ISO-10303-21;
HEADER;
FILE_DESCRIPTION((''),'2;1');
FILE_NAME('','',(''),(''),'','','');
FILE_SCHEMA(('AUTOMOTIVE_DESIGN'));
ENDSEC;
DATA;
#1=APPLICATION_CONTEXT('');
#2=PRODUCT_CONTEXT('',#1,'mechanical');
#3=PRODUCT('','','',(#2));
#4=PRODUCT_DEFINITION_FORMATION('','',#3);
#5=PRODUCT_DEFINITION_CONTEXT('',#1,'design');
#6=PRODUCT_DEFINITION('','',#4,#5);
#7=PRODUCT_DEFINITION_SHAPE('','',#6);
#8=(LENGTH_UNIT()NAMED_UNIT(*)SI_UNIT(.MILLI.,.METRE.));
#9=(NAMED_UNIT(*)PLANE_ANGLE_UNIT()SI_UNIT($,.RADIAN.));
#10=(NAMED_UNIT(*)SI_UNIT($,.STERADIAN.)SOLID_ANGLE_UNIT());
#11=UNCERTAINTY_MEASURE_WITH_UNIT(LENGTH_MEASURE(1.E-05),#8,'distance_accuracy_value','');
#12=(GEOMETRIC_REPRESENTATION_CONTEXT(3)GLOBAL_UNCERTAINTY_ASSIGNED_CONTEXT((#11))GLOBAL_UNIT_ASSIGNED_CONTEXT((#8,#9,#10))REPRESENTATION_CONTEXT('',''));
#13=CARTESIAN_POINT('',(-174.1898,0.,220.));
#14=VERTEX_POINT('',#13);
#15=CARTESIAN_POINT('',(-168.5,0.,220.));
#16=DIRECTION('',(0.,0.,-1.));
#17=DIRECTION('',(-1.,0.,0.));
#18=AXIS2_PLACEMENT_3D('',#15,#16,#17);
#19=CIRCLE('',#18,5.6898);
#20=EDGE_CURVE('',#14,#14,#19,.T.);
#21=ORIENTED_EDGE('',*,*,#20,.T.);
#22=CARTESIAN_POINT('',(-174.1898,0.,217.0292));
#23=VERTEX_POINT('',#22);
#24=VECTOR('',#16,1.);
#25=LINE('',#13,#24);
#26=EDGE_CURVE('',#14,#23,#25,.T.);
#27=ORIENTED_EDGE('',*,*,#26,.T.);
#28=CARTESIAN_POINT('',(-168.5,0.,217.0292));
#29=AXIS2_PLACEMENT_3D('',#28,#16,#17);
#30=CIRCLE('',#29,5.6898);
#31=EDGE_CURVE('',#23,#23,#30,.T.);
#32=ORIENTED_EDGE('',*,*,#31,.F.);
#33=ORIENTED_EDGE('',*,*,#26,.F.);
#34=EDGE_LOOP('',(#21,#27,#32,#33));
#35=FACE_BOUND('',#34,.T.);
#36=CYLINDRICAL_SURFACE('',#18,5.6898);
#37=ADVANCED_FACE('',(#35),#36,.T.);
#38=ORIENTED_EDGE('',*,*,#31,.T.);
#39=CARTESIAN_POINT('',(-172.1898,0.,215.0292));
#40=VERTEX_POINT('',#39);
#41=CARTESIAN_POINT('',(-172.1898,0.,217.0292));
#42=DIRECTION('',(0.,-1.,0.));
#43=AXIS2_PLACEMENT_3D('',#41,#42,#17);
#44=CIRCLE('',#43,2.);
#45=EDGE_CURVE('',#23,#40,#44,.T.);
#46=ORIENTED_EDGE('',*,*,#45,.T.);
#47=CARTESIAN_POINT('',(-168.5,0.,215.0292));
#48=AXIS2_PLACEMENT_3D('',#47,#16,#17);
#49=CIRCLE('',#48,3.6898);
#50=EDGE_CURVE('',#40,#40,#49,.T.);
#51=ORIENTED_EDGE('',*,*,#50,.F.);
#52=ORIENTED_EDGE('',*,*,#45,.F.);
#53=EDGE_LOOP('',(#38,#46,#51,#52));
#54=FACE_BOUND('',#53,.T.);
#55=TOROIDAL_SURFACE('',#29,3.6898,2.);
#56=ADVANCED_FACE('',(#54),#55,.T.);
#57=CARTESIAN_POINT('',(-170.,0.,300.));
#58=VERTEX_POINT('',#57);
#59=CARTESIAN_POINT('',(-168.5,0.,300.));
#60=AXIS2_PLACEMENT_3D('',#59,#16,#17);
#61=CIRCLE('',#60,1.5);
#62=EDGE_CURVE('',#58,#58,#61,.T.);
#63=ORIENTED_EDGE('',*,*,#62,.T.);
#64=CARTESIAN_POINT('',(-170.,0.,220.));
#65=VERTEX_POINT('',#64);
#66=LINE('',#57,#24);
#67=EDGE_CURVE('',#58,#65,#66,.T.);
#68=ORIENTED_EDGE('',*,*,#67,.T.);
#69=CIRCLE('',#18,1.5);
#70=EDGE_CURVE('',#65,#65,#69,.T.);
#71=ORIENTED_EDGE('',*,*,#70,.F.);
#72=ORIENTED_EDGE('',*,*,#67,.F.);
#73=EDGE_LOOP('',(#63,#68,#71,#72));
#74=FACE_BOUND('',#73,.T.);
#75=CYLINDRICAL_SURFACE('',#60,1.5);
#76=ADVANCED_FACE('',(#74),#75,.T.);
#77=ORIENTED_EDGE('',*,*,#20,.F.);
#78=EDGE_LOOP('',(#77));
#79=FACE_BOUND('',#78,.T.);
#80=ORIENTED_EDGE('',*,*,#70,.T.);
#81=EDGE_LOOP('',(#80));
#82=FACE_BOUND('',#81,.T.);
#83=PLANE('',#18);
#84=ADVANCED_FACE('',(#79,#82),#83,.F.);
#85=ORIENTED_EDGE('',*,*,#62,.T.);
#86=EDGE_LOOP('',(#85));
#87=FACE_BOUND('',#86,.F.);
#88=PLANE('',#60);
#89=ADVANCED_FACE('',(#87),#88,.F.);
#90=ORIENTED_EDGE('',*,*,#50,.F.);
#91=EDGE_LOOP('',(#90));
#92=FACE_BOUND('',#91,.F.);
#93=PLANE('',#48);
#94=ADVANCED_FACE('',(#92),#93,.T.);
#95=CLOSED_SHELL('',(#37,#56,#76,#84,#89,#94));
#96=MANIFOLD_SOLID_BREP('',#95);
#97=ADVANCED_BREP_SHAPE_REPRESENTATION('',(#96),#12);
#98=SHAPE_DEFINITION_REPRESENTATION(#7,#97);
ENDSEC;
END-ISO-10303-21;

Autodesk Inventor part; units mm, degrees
ref_plane "YZ Plane" through (0, 0, 0) normal (1, 0, 0) x (0, 1, 0)
ref_plane "XZ Plane" through (0, 0, 0) normal (0, 1, 0) x (-1, 0, 0)
ref_plane "XY Plane" through (0, 0, 0) normal (0, 0, 1) x (1, 0, 0)
sketch "Sketch1" plane through (0, 0, 0) normal (0, 1, 0) x (-1, 0, 0)
  line L0 (170, 300) -> (170, 220)
  line L1 (170, 220) -> (174.1898, 220)
  line L2 (174.1898, 220) -> (174.1898, 215.0292)
  line L3 (168.5, 300) -> (168.5, 215.0292)
  line L4 (168.5, 215.0292) -> (174.1898, 215.0292)
  line L5 (170, 300) -> (168.5, 300)
  point P0 (0, 0)
  dimension "d2" = 1.5
  dimension "d3" = 80
revolve "Revolution1" add sketch "Sketch1" angle 360 about axis through (-168.5, 0, 300) along (0, 0, -1)
fillet "Fillet1" radius 2 1 edges at (-162.8102, 0, 215.0292)
thread "Thread1" size "M3x0.5" class "6g" standard "ANSI Metric M Profile" full length
equation "\"d2\" = 0.5 * ScrewDiameter"
equation "\"ScrewDiameter\" = 3"
properties part number "Screw" material "Iron, Gray"
